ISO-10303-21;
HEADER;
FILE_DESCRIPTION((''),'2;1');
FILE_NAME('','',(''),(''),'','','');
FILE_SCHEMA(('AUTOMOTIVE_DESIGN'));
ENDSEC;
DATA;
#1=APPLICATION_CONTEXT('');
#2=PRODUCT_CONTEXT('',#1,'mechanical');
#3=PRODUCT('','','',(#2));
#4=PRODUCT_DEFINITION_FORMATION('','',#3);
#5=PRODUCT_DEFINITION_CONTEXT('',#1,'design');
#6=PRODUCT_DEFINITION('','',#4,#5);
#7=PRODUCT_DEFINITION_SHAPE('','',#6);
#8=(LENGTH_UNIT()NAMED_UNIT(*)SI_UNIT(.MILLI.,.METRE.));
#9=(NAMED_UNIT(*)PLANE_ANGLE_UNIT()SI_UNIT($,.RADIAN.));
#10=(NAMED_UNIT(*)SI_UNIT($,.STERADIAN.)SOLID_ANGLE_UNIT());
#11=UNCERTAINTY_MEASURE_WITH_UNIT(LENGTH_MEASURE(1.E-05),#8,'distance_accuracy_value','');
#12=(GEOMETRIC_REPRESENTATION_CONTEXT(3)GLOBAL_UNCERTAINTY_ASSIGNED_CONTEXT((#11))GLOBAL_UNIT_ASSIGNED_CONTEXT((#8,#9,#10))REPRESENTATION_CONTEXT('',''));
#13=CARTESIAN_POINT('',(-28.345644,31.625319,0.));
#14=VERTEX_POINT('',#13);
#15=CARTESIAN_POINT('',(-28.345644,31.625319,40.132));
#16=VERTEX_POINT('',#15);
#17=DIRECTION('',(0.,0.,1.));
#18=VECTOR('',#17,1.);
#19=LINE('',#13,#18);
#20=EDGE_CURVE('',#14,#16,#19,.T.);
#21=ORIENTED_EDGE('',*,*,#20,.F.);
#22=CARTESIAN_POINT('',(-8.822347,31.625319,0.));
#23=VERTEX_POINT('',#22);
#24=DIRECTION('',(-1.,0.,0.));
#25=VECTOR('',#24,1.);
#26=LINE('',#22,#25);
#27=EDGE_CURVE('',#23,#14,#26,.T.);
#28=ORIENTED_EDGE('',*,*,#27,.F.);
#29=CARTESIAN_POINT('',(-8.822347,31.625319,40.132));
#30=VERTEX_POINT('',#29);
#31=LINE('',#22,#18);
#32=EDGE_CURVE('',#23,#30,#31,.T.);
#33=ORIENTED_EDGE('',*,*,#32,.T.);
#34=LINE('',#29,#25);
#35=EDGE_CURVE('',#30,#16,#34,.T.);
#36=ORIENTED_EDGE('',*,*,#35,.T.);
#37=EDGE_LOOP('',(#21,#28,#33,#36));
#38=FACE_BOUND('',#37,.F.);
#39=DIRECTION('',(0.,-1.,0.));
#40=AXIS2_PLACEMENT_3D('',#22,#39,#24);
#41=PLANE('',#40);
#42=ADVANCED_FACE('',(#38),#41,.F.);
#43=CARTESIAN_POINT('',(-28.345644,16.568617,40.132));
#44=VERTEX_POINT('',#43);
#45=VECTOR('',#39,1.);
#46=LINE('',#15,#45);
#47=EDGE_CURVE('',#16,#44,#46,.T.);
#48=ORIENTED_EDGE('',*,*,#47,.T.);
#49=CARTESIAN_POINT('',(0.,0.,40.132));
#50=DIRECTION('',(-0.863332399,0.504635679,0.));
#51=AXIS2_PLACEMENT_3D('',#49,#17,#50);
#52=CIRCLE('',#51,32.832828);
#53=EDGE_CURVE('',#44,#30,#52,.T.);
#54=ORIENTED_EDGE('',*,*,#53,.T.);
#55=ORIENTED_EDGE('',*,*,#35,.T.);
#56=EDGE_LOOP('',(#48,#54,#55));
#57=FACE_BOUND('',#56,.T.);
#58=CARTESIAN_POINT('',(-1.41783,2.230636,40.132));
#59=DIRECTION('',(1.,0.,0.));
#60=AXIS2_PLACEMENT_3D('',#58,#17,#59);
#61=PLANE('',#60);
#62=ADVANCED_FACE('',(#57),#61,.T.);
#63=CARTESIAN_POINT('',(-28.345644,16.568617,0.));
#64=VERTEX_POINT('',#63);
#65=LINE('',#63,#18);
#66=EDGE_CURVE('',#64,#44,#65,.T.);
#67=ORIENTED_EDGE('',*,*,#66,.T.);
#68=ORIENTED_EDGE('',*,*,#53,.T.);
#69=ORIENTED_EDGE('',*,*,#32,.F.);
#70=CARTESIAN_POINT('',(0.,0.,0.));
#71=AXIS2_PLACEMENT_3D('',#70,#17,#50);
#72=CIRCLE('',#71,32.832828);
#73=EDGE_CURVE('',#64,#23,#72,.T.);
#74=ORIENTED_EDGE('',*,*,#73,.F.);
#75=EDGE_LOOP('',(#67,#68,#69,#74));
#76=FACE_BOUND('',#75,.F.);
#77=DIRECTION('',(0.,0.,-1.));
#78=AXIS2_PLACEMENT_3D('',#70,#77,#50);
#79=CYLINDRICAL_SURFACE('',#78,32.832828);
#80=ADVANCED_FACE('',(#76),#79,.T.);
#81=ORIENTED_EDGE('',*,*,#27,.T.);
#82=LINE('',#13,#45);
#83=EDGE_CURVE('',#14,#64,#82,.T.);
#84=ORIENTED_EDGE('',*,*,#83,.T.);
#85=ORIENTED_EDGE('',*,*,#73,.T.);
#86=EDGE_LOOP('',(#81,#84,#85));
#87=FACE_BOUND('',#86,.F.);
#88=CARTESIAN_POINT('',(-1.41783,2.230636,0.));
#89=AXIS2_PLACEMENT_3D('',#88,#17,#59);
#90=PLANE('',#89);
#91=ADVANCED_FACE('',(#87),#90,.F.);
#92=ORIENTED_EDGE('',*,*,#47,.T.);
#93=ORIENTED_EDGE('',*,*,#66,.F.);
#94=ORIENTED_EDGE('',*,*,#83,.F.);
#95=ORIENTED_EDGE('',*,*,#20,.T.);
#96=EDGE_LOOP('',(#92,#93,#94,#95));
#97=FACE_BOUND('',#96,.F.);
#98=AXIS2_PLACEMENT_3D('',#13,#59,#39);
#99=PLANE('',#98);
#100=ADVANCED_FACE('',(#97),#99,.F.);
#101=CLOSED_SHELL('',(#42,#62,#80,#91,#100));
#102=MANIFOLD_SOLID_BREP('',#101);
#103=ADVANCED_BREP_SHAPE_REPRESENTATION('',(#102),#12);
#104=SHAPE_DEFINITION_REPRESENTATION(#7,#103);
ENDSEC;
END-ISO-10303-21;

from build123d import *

# Parameters (mm, degrees)
F1_DEPTH = 40.132


with BuildPart() as f1:
    # F0 (on Top) → F1 (new body)
    with BuildSketch(Plane.XY):
        with BuildLine():
            ThreePointArc((-28.345644474, 16.5686166077), (-8.5827425011, -31.6911840754), (32.8328283421, 0))
            ThreePointArc((32.8328283421, 0), (19.85361464, 26.1501166856), (-8.8223465057, 31.6253192723))
            Line((-8.8223465057, 31.6253192723), (0, 31.6253192723))
            Line((0, 31.6253192723), (0, 0))
            Line((0, 0), (-28.345644474, 0))
            Line((-28.345644474, 0), (-28.345644474, 16.5686166077))
        make_face()
        with BuildLine():
            Line((0, 31.6253192723), (-8.8223465057, 31.6253192723))
            ThreePointArc((-8.8223465057, 31.6253192723), (-20.0509591329, 25.9991087307), (-28.345644474, 16.5686166077))
            Line((-28.345644474, 16.5686166077), (-28.345644474, 0))
            Line((-28.345644474, 0), (0, 0))
            Line((0, 0), (0, 31.6253192723))
        make_face()
        with BuildLine():
            ThreePointArc((-28.345644474, 16.5686166077), (-20.0509591329, 25.9991087307), (-8.8223465057, 31.6253192723))
            Line((-8.8223465057, 31.6253192723), (-28.345644474, 31.6253192723))
            Line((-28.345644474, 31.6253192723), (-28.345644474, 16.5686166077))
        make_face()
    extrude(amount=F1_DEPTH)


solid = f1.part
